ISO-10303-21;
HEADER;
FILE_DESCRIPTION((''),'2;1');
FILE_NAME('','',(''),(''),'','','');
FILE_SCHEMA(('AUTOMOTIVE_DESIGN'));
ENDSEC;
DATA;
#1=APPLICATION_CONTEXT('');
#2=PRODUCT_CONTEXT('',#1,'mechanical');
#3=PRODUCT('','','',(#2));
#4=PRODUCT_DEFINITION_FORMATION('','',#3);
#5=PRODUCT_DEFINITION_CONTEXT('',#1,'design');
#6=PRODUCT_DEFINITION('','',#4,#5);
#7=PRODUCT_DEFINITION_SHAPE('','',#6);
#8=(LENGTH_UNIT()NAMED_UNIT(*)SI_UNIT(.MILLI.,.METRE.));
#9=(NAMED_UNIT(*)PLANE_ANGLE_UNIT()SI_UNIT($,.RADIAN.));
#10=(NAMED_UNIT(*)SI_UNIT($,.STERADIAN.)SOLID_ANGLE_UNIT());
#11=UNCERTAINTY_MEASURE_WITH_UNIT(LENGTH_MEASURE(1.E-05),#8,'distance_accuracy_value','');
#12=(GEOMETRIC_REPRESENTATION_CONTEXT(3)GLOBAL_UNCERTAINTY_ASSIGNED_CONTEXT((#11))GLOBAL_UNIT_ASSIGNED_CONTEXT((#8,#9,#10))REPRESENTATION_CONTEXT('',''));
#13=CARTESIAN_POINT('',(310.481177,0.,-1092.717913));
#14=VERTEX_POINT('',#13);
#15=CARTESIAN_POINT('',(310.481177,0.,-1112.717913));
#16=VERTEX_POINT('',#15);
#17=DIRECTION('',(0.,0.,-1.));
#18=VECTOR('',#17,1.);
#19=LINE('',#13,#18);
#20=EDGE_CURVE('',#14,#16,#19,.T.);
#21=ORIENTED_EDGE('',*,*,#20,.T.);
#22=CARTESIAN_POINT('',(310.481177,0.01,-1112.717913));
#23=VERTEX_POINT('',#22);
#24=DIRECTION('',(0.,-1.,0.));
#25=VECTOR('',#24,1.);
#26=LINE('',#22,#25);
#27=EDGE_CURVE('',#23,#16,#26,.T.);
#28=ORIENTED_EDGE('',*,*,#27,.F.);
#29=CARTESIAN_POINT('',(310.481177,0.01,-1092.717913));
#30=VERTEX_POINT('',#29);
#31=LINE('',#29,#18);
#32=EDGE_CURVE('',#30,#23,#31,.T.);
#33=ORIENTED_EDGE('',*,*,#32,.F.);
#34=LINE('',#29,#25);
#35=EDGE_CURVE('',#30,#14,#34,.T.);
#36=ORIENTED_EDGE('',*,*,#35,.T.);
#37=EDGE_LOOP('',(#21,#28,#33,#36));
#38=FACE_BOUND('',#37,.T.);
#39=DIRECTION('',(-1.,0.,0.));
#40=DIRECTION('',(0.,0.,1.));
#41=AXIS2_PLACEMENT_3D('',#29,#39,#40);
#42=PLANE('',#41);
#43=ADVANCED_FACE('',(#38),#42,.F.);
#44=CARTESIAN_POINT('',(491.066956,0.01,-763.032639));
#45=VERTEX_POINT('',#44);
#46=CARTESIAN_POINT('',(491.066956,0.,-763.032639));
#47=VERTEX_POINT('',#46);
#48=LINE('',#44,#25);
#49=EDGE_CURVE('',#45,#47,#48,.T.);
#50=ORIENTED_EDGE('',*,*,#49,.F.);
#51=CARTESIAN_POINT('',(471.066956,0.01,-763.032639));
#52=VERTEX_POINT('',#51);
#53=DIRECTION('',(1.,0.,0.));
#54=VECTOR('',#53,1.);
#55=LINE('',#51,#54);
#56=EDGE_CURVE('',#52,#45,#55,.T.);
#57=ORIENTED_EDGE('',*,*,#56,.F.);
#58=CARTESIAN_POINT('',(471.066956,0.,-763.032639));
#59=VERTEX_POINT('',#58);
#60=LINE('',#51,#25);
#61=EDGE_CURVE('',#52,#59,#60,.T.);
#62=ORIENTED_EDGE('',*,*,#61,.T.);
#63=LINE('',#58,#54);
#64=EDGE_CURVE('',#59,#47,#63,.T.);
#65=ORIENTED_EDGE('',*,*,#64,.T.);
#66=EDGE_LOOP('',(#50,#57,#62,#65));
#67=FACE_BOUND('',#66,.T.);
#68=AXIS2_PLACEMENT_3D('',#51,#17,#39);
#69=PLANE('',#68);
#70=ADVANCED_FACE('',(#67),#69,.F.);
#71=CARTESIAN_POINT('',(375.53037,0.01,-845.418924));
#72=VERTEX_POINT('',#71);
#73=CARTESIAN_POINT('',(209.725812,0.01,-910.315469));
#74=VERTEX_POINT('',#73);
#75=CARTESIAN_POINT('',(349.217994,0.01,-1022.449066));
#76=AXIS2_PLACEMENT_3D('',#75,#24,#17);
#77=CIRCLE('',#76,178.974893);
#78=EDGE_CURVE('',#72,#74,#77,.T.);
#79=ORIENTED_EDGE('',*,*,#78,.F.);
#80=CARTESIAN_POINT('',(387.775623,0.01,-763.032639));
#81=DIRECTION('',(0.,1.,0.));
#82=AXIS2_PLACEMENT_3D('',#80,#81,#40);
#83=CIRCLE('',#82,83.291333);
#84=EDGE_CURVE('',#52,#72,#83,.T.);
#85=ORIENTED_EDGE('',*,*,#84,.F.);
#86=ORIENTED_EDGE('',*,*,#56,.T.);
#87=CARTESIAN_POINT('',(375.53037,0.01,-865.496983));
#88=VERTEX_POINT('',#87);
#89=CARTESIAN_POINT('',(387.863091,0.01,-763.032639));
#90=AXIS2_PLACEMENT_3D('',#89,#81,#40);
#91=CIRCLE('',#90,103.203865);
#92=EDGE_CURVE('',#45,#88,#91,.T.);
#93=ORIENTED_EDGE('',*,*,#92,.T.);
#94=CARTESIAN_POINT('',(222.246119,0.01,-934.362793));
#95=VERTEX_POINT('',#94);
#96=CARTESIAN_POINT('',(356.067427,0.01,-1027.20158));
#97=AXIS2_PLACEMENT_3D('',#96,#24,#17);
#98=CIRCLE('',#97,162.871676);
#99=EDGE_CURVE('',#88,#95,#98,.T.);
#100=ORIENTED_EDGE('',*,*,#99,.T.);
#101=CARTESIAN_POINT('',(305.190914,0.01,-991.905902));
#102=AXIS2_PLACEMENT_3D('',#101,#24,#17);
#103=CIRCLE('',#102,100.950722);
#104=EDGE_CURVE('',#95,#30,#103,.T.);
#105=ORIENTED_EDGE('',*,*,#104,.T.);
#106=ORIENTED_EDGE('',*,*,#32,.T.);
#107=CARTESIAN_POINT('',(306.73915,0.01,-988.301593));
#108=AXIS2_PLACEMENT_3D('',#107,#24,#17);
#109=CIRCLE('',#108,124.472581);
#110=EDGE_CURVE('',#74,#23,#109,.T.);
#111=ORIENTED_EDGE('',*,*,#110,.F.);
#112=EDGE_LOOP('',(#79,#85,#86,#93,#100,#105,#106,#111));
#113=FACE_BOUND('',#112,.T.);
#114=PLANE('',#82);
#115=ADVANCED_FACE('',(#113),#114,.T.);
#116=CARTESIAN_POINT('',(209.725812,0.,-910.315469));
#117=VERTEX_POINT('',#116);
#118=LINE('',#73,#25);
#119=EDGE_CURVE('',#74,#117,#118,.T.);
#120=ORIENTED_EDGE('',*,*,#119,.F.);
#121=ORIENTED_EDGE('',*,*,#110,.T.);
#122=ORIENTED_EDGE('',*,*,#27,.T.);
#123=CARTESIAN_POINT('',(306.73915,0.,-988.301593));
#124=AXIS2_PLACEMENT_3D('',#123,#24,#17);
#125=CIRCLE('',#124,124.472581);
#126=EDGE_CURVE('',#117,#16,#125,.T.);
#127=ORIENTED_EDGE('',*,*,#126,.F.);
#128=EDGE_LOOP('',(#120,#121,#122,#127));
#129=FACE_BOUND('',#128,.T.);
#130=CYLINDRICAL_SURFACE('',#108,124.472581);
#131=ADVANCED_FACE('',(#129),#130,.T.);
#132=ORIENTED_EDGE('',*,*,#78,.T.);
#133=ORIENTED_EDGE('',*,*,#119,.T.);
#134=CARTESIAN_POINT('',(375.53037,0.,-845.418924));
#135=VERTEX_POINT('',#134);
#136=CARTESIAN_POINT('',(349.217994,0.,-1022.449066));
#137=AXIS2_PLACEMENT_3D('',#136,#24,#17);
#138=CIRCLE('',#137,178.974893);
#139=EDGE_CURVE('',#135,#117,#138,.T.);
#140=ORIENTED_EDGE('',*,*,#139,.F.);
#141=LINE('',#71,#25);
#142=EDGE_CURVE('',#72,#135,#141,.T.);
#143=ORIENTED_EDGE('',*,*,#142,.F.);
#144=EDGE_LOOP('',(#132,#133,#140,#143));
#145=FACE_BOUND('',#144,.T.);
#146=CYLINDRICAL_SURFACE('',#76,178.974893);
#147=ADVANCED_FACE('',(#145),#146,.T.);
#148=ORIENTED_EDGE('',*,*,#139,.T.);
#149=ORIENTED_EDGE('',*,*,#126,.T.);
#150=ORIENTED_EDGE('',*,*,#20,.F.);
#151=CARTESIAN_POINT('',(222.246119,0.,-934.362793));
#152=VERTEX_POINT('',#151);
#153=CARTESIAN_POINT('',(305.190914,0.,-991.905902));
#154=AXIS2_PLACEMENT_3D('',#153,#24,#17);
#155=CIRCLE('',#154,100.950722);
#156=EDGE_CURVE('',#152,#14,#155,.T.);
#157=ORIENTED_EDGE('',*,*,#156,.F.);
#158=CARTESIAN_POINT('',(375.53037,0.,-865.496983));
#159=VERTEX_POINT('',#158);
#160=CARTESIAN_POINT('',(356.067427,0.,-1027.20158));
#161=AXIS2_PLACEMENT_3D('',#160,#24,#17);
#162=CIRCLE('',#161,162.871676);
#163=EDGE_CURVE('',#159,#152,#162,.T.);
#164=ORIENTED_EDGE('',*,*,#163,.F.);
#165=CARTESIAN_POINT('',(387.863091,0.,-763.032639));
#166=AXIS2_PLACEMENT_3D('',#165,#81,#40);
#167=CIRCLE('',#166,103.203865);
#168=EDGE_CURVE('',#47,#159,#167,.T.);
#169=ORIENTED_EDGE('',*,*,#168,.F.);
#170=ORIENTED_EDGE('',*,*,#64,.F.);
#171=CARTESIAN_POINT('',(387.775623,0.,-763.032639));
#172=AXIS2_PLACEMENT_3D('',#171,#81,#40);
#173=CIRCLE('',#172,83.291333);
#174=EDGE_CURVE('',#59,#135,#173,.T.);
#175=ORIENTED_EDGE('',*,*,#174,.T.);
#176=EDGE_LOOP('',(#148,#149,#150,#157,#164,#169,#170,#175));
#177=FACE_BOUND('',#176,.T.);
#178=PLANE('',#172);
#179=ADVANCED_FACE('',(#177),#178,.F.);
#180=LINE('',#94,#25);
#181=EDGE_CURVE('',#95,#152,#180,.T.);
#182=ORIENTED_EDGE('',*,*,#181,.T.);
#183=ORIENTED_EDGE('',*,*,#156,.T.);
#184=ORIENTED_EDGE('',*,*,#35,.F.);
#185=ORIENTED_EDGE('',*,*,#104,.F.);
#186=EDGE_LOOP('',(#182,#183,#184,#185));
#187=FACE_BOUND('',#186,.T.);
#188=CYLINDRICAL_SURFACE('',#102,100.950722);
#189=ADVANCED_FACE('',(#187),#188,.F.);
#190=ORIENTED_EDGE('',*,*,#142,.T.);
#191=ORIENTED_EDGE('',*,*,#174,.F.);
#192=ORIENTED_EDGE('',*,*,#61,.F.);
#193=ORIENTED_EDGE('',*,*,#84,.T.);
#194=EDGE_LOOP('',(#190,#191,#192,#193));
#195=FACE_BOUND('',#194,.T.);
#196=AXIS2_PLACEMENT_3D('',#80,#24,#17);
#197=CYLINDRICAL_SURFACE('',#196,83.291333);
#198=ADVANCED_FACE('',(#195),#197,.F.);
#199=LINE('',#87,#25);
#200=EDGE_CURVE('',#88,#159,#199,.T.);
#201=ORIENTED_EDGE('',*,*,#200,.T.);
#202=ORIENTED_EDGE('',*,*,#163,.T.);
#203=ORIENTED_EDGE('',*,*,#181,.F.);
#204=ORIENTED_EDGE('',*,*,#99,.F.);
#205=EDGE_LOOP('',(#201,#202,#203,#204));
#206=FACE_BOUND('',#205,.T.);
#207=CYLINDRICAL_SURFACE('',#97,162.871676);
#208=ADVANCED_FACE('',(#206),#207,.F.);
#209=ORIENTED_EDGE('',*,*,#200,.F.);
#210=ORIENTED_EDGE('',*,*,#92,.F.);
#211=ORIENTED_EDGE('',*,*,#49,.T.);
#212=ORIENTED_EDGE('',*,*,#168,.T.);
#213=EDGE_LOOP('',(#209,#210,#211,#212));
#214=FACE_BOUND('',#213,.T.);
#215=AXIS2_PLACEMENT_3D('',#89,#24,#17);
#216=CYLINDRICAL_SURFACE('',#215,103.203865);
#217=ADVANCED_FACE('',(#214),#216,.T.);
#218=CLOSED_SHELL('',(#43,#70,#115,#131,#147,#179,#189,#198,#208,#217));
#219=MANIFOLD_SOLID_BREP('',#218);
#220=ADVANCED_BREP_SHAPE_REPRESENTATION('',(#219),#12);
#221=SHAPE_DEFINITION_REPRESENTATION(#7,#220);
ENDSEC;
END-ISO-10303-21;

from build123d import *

# Parameters (mm, degrees)
RESSALTO_EXTRUS_O12_DEPTH = 0.01


with BuildPart() as part:
    # Esboço1 → Ressalto-extrusão12 (new body)
    with BuildSketch(Plane(origin=(0, 0, 0), x_dir=(1, 0, 0), z_dir=(0, 1, 0))):
        with BuildLine():
            Line((471.066955747, 763.032639239), (491.066955747, 763.032639239))
            ThreePointArc((491.066955747, 763.032639239), (456.340288786, 840.246051921), (375.530369994, 865.49698301))
            ThreePointArc((375.530369994, 865.49698301), (289.321012385, 878.634763646), (222.246119015, 934.362793386))
            ThreePointArc((222.246119015, 934.362793386), (217.005639738, 1041.042505928), (310.481176611, 1092.717913013))
            Line((310.481176611, 1092.717913013), (310.481176611, 1112.717913013))
            ThreePointArc((310.481176611, 1112.717913013), (195.309478466, 1043.770968842), (209.725811714, 910.315468769))
            ThreePointArc((209.725811714, 910.315468769), (283.985275681, 855.785617748), (375.530369994, 845.418923568))
            ThreePointArc((375.530369994, 845.418923568), (442.170120256, 826.109455627), (471.066955747, 763.032639239))
        make_face()
    extrude(amount=RESSALTO_EXTRUS_O12_DEPTH)


solid = part.part
